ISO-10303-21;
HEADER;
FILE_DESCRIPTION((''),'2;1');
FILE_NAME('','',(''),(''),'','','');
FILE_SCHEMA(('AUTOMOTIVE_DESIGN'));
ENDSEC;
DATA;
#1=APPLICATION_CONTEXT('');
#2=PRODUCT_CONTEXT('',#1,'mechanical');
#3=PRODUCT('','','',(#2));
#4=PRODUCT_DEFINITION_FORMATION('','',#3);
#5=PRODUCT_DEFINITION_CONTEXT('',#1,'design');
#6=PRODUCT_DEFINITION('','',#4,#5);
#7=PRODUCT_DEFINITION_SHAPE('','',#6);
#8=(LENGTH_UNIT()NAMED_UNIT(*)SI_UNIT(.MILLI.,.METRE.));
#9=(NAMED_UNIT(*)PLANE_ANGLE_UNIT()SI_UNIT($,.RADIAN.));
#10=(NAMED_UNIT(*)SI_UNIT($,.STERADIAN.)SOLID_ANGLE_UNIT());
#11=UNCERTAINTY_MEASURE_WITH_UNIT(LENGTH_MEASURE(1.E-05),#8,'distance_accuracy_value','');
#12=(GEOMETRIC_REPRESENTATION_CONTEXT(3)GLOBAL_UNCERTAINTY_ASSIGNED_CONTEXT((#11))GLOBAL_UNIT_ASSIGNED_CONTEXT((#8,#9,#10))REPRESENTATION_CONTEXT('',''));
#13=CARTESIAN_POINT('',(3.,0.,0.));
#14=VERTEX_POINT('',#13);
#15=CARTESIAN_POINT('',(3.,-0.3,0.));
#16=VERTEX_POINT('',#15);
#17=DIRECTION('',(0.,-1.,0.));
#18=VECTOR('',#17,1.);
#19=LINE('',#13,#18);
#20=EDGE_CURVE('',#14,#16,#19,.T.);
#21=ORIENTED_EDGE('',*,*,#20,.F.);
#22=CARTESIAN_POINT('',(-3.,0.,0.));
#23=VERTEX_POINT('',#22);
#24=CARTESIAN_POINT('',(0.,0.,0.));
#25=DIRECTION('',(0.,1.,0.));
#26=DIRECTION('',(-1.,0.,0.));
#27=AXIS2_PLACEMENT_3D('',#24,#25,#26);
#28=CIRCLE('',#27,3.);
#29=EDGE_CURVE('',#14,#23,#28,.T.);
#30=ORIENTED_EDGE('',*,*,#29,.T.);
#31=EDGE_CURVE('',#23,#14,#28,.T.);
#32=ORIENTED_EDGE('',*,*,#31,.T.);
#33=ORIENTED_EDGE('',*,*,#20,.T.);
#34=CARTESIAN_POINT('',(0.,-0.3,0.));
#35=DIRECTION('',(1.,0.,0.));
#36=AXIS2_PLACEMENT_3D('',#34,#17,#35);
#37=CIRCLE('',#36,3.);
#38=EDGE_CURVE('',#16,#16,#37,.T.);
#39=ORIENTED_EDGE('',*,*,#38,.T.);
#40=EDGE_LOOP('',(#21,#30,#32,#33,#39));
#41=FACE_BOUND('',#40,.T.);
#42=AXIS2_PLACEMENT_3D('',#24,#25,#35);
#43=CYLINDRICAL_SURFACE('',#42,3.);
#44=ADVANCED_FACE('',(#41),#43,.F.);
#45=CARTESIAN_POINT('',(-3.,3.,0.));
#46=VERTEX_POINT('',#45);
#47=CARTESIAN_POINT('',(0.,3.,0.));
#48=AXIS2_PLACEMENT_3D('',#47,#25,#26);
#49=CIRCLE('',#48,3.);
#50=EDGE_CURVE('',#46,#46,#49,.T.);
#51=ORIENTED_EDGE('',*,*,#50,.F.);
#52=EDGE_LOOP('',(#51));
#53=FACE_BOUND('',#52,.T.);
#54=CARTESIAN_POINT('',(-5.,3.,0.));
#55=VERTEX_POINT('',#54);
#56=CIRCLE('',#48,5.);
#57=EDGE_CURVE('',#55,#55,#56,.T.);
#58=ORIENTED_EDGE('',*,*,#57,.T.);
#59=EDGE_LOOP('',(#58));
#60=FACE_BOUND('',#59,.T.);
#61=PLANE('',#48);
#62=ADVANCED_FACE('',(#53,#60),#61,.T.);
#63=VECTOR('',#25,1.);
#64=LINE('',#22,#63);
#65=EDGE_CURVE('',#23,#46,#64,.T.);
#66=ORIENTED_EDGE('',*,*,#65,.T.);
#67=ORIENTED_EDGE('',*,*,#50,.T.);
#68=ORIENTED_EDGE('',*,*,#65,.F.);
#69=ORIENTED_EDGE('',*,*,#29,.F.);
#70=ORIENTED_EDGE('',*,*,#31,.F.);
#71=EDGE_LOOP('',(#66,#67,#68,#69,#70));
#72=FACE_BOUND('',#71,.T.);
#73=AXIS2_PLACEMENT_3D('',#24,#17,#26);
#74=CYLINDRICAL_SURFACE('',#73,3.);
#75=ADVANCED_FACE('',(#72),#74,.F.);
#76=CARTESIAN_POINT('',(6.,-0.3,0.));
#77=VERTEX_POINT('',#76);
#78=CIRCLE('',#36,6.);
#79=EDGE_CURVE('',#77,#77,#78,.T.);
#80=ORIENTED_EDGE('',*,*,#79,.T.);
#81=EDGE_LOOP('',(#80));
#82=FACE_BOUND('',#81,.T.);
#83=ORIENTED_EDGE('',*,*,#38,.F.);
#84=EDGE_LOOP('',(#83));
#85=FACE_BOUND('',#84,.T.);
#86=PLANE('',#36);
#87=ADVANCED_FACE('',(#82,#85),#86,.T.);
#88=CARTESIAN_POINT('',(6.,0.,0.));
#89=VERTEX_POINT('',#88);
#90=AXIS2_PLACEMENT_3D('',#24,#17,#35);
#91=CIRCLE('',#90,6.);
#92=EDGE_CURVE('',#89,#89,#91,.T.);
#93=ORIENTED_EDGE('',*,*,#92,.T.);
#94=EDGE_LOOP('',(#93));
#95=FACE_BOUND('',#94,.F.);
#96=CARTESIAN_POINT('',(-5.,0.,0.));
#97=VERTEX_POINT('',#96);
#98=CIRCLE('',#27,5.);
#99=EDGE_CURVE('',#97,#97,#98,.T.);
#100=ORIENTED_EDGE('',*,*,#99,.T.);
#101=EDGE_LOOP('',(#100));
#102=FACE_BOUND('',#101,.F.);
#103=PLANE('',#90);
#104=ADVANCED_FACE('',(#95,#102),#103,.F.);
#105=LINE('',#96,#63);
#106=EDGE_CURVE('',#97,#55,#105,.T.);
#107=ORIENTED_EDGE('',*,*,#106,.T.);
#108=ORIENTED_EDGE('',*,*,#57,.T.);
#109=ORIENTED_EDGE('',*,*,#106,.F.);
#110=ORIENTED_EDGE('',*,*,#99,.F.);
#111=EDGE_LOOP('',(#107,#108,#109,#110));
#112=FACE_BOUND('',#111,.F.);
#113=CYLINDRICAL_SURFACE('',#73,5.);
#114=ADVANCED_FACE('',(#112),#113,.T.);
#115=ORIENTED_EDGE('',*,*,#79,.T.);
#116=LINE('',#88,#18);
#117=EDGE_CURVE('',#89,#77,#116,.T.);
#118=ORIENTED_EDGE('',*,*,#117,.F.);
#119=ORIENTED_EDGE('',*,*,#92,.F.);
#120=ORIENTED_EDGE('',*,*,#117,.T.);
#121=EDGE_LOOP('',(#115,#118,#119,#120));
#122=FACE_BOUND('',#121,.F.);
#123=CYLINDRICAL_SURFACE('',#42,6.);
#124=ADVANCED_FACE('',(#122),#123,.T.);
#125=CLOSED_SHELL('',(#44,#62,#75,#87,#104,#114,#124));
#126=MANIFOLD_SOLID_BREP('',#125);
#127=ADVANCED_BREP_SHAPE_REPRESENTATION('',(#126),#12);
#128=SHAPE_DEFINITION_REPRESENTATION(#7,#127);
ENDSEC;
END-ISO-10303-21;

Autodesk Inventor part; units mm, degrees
ref_plane "YZ Plane" through (0, 0, 0) normal (1, 0, 0) x (0, 1, 0)
ref_plane "XZ Plane" through (0, 0, 0) normal (0, 1, 0) x (-1, 0, 0)
ref_plane "XY Plane" through (0, 0, 0) normal (0, 0, 1) x (1, 0, 0)
sketch "スケッチ1" plane through (0, 0, 0) normal (0, 1, 0) x (-1, 0, 0)
  circle A0 centre (0, 0) radius 3
  circle A1 centre (0, 0) radius 5
  dimension "d0" = 6
  dimension "d1" = 10
extrude "押し出し1" add sketch "スケッチ1" along normal blind 3
sketch "スケッチ2" plane through (0, 0, 0) normal (0, -1, 0) x (1, 0, 0)
  circle A0 centre (0, 0) radius 6
  circle A1 centre (0, 0) radius 3 projected
  dimension "d4" = 12
extrude "押し出し2" add sketch "スケッチ2" along normal blind 0.3
properties part number "bearing_6_10_3" material "アルミニウム 6061"
